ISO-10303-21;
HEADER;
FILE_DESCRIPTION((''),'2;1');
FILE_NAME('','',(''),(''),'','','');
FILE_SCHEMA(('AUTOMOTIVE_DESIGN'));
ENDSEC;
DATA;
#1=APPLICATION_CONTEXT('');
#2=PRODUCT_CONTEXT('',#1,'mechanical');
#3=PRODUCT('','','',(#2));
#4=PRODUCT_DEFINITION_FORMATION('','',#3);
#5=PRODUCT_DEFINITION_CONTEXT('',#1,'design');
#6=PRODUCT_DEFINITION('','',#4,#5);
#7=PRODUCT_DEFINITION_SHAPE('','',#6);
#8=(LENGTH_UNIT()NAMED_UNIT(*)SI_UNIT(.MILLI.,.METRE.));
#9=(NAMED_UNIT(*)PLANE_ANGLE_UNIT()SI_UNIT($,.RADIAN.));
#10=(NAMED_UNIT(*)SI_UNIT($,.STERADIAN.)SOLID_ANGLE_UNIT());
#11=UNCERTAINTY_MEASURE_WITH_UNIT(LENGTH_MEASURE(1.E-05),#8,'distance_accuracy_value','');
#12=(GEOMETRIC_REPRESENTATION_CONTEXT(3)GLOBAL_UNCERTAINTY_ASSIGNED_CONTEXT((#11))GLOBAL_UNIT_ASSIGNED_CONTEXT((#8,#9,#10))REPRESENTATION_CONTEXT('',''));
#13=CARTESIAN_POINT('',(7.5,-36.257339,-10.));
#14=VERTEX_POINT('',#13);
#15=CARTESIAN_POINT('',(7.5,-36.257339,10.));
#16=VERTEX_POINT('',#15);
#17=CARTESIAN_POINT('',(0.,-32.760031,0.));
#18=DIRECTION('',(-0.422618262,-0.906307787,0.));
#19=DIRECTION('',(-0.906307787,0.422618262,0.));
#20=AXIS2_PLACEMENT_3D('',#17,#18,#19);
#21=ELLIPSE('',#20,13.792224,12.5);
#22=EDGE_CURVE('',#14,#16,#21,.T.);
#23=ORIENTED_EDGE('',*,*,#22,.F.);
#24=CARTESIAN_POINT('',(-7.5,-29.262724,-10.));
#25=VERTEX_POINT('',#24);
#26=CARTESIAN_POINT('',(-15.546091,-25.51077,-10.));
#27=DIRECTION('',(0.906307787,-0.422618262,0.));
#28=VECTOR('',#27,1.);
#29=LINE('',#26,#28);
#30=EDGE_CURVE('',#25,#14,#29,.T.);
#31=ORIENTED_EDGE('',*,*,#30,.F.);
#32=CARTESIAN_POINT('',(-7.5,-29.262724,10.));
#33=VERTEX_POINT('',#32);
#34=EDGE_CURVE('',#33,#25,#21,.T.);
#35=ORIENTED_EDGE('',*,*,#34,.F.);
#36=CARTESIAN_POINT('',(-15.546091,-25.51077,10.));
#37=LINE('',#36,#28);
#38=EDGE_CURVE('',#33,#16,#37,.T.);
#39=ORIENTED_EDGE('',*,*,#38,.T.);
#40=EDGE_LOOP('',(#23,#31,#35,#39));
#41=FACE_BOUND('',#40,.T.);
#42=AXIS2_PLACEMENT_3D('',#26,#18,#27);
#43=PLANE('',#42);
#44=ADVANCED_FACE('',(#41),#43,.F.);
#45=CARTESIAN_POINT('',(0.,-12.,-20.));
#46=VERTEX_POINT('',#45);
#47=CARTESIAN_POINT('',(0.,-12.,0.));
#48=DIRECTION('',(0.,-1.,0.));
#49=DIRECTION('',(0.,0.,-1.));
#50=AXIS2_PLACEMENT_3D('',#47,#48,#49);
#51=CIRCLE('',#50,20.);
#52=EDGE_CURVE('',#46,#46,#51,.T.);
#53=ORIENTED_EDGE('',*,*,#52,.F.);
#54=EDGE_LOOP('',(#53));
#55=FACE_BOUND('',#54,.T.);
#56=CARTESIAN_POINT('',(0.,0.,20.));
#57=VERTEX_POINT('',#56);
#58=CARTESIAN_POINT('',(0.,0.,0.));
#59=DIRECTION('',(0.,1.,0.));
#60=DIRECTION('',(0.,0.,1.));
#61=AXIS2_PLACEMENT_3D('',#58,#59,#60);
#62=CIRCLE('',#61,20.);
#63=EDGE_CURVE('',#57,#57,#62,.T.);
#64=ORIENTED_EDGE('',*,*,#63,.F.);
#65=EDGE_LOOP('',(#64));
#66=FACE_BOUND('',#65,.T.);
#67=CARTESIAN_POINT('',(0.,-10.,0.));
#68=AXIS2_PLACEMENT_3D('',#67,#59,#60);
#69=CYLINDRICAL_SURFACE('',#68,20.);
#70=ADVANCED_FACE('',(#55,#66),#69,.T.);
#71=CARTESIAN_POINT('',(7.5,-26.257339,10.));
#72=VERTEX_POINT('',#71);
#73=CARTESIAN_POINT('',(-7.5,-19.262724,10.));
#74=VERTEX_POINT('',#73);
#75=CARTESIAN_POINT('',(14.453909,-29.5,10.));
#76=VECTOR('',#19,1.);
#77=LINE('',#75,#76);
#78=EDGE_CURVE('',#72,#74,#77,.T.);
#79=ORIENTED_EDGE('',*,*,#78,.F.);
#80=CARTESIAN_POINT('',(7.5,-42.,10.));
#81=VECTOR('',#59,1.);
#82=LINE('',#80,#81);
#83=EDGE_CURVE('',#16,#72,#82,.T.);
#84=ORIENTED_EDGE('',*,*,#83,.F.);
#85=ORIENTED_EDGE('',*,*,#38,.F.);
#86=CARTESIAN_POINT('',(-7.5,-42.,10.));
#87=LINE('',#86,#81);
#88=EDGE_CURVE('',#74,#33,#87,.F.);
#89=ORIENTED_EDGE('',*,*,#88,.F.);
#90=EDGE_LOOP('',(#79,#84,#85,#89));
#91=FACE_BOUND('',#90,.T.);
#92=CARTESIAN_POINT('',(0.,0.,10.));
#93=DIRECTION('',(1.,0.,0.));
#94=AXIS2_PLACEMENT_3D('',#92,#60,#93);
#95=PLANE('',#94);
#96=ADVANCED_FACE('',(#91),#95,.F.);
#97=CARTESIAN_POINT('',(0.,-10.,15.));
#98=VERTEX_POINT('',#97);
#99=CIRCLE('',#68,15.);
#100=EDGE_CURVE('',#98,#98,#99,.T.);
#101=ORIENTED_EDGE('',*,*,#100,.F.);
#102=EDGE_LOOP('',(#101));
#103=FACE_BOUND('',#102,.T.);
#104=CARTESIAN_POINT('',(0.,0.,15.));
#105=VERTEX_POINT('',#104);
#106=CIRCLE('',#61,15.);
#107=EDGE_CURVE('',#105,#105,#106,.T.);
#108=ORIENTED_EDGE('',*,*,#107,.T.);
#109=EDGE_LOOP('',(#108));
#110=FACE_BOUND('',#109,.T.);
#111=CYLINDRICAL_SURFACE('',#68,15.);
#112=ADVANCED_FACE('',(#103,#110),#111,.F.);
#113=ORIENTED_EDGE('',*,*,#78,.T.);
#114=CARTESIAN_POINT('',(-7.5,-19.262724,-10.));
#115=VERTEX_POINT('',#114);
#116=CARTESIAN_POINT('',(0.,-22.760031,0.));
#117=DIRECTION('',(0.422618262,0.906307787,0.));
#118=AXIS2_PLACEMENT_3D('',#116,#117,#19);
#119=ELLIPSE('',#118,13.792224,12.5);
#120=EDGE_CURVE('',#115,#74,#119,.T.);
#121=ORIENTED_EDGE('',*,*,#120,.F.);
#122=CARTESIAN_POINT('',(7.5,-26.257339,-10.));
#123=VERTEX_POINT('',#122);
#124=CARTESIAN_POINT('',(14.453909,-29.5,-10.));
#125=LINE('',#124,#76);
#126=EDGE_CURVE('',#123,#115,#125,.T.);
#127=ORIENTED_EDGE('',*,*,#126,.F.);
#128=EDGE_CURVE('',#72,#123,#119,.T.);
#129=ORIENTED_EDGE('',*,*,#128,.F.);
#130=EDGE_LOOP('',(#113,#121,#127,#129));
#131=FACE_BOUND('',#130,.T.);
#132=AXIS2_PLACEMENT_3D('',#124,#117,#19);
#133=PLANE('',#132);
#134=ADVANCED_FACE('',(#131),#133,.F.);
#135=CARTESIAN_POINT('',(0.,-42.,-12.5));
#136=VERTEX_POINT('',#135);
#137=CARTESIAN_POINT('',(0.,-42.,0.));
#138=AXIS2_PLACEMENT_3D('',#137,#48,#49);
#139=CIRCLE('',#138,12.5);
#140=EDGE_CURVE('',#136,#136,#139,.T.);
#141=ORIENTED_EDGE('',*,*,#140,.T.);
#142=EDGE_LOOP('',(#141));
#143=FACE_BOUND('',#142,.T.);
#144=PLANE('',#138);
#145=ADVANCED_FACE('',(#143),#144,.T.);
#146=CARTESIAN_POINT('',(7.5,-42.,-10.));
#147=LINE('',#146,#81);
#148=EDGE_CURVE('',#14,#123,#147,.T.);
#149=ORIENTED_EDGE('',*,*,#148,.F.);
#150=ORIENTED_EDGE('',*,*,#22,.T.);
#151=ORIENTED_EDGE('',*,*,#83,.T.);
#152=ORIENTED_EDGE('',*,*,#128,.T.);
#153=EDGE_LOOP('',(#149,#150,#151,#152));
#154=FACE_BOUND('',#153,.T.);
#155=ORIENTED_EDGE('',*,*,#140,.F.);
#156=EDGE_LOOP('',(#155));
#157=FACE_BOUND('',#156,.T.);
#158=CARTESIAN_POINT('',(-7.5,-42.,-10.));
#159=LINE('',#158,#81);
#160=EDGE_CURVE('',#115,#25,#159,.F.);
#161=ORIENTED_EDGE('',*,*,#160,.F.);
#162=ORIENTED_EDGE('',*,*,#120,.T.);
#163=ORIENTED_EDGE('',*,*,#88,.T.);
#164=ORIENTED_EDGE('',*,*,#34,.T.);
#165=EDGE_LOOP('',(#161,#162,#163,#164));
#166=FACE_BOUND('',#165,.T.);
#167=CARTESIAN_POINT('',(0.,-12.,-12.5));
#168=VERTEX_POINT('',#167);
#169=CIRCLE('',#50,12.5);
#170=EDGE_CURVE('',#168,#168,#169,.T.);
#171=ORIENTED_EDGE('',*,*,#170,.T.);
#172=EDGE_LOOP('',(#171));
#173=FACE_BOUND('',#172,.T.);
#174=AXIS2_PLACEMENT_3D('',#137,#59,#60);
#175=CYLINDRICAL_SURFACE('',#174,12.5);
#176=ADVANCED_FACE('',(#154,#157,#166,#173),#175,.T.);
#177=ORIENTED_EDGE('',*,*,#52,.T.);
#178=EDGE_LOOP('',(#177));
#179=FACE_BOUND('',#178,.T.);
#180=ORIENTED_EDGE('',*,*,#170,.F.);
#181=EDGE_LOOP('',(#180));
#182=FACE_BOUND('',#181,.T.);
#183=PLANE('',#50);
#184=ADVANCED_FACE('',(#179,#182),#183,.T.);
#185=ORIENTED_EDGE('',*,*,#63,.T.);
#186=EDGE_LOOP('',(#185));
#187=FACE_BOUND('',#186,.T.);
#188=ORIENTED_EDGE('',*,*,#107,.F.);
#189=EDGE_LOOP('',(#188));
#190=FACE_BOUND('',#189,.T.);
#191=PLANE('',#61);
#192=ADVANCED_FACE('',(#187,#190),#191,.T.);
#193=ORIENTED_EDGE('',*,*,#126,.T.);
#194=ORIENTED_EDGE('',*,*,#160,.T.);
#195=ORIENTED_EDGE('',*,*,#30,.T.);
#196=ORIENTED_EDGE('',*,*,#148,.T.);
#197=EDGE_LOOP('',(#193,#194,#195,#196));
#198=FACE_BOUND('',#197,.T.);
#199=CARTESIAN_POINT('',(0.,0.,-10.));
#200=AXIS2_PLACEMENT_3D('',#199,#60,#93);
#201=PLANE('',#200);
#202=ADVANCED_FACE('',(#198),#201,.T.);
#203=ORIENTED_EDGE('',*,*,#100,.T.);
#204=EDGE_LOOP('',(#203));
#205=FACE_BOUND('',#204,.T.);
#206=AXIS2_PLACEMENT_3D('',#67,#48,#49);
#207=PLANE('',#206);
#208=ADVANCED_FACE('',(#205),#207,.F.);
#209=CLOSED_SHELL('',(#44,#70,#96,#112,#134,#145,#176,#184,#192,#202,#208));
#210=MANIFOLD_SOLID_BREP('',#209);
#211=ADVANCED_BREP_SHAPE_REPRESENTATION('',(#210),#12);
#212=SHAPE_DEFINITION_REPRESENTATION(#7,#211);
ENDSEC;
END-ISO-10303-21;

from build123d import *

# Parameters (mm, degrees)
CROQUIS1_R              = 20
CROQUIS1_R_2            = 15
SALIENTE_EXTRUIR1_DEPTH = 10
CROQUIS2_R              = 20
SALIENTE_EXTRUIR2_DEPTH = 2
CROQUIS3_R              = 12.5
SALIENTE_EXTRUIR3_DEPTH = 30
CORTAR_EXTRUIR2_DEPTH   = 10


with BuildPart() as part:
    # Croquis1 → Saliente-Extruir1 (new body)
    with BuildSketch(Plane(origin=(0, 0, 0), x_dir=(1, 0, 0), z_dir=(0, 1, 0))):
        with Locations(Location((0, 0, 0), (0, 0, 270))):
            Circle(CROQUIS1_R)
        with Locations(Location((0, 0, 0), (0, 0, 270))):
            Circle(CROQUIS1_R_2, mode=Mode.SUBTRACT)
    extrude(amount=-SALIENTE_EXTRUIR1_DEPTH)

    # Croquis2 → Saliente-Extruir2 (add)
    with BuildSketch(Plane.XZ.offset(10)):
        with Locations(Location((0, 0, 0), (0, 0, 90))):
            Circle(CROQUIS2_R)
    extrude(amount=SALIENTE_EXTRUIR2_DEPTH)

    # Croquis3 → Saliente-Extruir3 (add)
    with BuildSketch(Plane.XZ.offset(12)):
        with Locations(Location((0, 0, 0), (0, 0, 270))):
            Circle(CROQUIS3_R)
    extrude(amount=SALIENTE_EXTRUIR3_DEPTH)

    # Croquis4 → Cortar-Extruir2 (cut, symmetric)
    with BuildSketch(Plane.XY):
        Polygon((-15.546090629, -15.510770255), (-15.546090629, -25.510770255), (14.453909371, -39.5), (14.453909371, -29.5), align=None)
    extrude(amount=CORTAR_EXTRUIR2_DEPTH, both=True, mode=Mode.SUBTRACT)


solid = part.part
